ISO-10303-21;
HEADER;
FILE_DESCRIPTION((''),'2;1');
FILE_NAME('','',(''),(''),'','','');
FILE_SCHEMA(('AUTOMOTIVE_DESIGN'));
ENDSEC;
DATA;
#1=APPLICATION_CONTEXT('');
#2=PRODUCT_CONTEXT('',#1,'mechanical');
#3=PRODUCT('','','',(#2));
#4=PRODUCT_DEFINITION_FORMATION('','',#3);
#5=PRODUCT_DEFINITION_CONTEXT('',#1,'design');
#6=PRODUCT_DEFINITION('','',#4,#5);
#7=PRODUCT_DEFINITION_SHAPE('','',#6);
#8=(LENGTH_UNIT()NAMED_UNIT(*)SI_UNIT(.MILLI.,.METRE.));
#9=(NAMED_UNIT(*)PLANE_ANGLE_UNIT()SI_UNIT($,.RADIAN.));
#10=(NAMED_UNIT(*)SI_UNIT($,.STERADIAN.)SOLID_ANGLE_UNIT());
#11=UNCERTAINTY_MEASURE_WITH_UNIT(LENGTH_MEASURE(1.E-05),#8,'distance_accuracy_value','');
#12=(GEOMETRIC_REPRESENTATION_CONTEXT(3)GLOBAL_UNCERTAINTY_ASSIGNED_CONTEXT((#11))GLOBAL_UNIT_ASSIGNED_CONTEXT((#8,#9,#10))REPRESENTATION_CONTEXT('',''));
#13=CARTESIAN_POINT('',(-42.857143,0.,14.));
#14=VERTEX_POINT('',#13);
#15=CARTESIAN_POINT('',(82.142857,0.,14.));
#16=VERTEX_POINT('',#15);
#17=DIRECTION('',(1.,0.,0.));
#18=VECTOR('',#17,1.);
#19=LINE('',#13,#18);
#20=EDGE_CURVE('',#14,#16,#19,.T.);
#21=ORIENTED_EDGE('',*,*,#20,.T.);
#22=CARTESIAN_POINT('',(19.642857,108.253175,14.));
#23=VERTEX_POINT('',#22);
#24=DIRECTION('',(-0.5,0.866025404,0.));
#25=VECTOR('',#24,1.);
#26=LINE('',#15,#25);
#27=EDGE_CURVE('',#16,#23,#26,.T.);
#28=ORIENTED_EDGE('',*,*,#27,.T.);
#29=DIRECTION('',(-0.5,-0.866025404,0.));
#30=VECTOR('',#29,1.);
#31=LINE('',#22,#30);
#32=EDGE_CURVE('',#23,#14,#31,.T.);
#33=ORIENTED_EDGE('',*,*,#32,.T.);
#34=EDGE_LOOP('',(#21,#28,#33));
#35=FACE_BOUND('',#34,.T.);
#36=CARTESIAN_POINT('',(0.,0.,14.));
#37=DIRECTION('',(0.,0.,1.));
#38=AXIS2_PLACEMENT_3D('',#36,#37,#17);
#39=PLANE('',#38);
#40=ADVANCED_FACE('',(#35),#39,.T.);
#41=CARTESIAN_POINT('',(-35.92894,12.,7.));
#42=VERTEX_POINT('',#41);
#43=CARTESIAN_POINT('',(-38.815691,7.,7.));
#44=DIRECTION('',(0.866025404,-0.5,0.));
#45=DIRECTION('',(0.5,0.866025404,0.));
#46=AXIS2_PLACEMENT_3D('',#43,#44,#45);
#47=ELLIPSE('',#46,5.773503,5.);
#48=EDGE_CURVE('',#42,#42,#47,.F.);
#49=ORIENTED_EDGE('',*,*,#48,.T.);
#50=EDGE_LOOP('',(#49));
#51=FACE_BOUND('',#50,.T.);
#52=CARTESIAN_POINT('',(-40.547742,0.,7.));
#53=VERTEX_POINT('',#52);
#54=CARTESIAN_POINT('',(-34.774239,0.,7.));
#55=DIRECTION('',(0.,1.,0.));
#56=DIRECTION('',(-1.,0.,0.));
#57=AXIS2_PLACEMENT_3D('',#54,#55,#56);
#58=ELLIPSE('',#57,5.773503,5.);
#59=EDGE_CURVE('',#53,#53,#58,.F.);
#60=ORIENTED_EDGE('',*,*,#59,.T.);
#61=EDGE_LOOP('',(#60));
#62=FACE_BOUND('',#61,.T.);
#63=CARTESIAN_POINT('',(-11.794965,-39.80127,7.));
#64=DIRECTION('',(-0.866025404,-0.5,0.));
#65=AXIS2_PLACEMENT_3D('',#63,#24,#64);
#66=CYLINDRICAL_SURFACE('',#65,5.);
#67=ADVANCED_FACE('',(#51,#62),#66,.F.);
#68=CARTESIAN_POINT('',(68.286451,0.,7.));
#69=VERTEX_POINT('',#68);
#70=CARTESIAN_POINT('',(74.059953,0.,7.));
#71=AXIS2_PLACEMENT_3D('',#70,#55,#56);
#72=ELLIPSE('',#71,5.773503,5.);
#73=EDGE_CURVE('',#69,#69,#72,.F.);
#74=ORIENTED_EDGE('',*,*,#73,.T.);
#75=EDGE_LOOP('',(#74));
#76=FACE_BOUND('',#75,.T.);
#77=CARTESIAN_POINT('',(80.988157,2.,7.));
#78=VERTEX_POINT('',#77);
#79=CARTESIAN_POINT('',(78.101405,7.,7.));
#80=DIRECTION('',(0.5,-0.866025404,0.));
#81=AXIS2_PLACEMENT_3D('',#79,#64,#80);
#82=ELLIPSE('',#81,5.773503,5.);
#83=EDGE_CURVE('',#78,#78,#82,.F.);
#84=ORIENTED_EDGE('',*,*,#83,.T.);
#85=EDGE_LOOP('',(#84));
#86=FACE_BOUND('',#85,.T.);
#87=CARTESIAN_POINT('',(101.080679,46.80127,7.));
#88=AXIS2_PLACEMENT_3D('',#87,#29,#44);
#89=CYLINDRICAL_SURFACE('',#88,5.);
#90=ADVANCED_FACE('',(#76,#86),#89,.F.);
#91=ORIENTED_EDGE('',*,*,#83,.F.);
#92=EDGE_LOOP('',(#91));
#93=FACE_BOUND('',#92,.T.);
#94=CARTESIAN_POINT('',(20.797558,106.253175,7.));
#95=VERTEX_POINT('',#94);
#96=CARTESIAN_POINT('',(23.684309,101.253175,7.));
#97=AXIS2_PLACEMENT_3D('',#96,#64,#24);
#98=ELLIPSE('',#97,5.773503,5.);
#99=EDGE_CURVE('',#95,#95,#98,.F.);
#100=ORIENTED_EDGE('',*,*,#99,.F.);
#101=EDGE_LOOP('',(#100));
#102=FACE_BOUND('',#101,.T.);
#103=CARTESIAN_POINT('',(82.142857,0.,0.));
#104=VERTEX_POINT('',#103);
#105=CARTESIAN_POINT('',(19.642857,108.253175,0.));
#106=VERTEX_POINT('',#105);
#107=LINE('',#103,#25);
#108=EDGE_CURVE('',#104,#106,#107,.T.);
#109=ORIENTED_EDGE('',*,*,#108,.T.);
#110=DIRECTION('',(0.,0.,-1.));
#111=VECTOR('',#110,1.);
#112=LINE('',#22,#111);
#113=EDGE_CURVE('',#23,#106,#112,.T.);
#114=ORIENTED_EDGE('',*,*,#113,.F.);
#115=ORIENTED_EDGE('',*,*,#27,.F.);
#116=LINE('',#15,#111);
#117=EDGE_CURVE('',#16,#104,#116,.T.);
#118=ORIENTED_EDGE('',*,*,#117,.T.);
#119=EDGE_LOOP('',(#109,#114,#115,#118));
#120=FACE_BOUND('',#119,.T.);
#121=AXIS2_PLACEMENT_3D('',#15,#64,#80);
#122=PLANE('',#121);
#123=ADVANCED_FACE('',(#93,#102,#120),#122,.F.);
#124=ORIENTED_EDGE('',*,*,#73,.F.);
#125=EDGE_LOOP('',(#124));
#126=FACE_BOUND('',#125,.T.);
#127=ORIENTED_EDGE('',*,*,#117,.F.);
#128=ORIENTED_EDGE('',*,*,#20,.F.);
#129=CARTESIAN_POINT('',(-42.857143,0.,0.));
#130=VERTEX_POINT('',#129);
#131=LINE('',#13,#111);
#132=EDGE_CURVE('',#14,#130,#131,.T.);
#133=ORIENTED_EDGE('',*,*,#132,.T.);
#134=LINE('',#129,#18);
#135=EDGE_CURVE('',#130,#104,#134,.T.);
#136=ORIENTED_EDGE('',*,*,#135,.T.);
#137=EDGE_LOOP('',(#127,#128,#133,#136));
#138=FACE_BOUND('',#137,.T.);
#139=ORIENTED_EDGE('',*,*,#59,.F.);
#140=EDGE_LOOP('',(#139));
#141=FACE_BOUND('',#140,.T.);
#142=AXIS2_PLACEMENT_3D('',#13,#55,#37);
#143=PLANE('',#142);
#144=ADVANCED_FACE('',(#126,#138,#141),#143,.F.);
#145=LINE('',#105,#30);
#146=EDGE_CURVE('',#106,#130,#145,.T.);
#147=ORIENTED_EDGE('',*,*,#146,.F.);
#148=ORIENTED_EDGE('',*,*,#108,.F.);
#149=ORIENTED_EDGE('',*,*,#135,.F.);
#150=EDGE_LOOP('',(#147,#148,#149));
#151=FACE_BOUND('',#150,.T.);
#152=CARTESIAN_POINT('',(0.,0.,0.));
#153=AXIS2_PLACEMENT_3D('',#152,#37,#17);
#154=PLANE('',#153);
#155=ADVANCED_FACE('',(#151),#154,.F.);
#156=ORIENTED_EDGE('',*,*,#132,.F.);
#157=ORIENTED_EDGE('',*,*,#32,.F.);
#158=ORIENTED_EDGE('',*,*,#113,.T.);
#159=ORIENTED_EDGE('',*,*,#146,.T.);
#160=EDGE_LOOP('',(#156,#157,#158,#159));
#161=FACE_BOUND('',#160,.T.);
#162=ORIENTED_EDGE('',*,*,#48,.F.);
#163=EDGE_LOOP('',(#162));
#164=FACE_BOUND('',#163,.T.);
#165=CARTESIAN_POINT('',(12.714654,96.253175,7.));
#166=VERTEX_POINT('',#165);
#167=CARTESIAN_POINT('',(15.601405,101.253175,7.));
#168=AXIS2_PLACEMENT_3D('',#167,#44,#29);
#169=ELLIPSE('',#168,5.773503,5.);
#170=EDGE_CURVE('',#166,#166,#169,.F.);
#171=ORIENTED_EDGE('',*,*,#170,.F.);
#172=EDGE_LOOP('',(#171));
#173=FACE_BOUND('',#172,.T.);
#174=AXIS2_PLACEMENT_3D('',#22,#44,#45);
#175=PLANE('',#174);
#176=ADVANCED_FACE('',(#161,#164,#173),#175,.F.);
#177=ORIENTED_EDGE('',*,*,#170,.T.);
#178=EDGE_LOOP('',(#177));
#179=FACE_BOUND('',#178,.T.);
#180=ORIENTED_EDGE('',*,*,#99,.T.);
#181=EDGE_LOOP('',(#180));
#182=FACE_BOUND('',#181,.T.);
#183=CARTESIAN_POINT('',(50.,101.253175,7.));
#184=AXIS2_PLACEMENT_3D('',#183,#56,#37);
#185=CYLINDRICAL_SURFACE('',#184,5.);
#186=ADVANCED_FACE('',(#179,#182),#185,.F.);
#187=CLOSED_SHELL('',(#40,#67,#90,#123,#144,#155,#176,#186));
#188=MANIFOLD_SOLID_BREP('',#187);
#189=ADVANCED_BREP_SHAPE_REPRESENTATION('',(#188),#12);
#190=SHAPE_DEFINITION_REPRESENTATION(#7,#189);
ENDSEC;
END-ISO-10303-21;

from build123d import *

# Parameters (mm, degrees)
BOSS_EXTRUDE1_DEPTH     = 14
SKETCH2_R               = 5
CUT_EXTRUDE1_DEPTH      = 50
CUT_EXTRUDE3_DEPTH      = 50
CUT_EXTRUDE3_DEPTH_BACK = 50
SKETCH5_R               = 5
CUT_EXTRUDE4_DEPTH      = 50
CUT_EXTRUDE4_DEPTH_BACK = 50
SKETCH6_R               = 5


with BuildPart() as part:
    # Sketch1 → Boss-Extrude1 (new body)
    with BuildSketch(Plane.XY):
        Polygon((-42.857142857, 0), (82.142857143, 0), (19.642857143, 108.253175473), align=None)
    extrude(amount=BOSS_EXTRUDE1_DEPTH)

    # Sketch2 → Cut-Extrude1 (cut)
    with BuildSketch(Plane(origin=(0, 0, 0), x_dir=(0, 0, -1), z_dir=(1, 0, 0))):
        with Locations((-7, 101.253175473)):
            Circle(SKETCH2_R)
    extrude(amount=CUT_EXTRUDE1_DEPTH, mode=Mode.SUBTRACT)

    # Sketch5 → Cut-Extrude3 (cut, two sides: drawn at the far end of the back side and taken through both)
    with BuildSketch(Plane(origin=(-10.714285714, 18.557687224, 0), x_dir=(-0.8660254037844386, -0.5000000000000003, 0), z_dir=(0.5000000000000003, -0.8660254037844386, 0)).offset(-CUT_EXTRUDE3_DEPTH_BACK)):
        with Locations((30.115374448, -7)):
            Circle(SKETCH5_R)
    extrude(amount=CUT_EXTRUDE3_DEPTH + CUT_EXTRUDE3_DEPTH_BACK, mode=Mode.SUBTRACT)

    # Sketch6 → Cut-Extrude4 (cut, two sides: drawn at the far end of the back side and taken through both)
    with BuildSketch(Plane(origin=(20.535714286, 35.568900513, 0), x_dir=(0.8660254037844386, -0.5000000000000003, 0), z_dir=(0.5000000000000003, 0.8660254037844386, 0)).offset(-CUT_EXTRUDE4_DEPTH_BACK)):
        with Locations((64.137801025, -7)):
            Circle(SKETCH6_R)
    extrude(amount=CUT_EXTRUDE4_DEPTH + CUT_EXTRUDE4_DEPTH_BACK, mode=Mode.SUBTRACT)


solid = part.part
